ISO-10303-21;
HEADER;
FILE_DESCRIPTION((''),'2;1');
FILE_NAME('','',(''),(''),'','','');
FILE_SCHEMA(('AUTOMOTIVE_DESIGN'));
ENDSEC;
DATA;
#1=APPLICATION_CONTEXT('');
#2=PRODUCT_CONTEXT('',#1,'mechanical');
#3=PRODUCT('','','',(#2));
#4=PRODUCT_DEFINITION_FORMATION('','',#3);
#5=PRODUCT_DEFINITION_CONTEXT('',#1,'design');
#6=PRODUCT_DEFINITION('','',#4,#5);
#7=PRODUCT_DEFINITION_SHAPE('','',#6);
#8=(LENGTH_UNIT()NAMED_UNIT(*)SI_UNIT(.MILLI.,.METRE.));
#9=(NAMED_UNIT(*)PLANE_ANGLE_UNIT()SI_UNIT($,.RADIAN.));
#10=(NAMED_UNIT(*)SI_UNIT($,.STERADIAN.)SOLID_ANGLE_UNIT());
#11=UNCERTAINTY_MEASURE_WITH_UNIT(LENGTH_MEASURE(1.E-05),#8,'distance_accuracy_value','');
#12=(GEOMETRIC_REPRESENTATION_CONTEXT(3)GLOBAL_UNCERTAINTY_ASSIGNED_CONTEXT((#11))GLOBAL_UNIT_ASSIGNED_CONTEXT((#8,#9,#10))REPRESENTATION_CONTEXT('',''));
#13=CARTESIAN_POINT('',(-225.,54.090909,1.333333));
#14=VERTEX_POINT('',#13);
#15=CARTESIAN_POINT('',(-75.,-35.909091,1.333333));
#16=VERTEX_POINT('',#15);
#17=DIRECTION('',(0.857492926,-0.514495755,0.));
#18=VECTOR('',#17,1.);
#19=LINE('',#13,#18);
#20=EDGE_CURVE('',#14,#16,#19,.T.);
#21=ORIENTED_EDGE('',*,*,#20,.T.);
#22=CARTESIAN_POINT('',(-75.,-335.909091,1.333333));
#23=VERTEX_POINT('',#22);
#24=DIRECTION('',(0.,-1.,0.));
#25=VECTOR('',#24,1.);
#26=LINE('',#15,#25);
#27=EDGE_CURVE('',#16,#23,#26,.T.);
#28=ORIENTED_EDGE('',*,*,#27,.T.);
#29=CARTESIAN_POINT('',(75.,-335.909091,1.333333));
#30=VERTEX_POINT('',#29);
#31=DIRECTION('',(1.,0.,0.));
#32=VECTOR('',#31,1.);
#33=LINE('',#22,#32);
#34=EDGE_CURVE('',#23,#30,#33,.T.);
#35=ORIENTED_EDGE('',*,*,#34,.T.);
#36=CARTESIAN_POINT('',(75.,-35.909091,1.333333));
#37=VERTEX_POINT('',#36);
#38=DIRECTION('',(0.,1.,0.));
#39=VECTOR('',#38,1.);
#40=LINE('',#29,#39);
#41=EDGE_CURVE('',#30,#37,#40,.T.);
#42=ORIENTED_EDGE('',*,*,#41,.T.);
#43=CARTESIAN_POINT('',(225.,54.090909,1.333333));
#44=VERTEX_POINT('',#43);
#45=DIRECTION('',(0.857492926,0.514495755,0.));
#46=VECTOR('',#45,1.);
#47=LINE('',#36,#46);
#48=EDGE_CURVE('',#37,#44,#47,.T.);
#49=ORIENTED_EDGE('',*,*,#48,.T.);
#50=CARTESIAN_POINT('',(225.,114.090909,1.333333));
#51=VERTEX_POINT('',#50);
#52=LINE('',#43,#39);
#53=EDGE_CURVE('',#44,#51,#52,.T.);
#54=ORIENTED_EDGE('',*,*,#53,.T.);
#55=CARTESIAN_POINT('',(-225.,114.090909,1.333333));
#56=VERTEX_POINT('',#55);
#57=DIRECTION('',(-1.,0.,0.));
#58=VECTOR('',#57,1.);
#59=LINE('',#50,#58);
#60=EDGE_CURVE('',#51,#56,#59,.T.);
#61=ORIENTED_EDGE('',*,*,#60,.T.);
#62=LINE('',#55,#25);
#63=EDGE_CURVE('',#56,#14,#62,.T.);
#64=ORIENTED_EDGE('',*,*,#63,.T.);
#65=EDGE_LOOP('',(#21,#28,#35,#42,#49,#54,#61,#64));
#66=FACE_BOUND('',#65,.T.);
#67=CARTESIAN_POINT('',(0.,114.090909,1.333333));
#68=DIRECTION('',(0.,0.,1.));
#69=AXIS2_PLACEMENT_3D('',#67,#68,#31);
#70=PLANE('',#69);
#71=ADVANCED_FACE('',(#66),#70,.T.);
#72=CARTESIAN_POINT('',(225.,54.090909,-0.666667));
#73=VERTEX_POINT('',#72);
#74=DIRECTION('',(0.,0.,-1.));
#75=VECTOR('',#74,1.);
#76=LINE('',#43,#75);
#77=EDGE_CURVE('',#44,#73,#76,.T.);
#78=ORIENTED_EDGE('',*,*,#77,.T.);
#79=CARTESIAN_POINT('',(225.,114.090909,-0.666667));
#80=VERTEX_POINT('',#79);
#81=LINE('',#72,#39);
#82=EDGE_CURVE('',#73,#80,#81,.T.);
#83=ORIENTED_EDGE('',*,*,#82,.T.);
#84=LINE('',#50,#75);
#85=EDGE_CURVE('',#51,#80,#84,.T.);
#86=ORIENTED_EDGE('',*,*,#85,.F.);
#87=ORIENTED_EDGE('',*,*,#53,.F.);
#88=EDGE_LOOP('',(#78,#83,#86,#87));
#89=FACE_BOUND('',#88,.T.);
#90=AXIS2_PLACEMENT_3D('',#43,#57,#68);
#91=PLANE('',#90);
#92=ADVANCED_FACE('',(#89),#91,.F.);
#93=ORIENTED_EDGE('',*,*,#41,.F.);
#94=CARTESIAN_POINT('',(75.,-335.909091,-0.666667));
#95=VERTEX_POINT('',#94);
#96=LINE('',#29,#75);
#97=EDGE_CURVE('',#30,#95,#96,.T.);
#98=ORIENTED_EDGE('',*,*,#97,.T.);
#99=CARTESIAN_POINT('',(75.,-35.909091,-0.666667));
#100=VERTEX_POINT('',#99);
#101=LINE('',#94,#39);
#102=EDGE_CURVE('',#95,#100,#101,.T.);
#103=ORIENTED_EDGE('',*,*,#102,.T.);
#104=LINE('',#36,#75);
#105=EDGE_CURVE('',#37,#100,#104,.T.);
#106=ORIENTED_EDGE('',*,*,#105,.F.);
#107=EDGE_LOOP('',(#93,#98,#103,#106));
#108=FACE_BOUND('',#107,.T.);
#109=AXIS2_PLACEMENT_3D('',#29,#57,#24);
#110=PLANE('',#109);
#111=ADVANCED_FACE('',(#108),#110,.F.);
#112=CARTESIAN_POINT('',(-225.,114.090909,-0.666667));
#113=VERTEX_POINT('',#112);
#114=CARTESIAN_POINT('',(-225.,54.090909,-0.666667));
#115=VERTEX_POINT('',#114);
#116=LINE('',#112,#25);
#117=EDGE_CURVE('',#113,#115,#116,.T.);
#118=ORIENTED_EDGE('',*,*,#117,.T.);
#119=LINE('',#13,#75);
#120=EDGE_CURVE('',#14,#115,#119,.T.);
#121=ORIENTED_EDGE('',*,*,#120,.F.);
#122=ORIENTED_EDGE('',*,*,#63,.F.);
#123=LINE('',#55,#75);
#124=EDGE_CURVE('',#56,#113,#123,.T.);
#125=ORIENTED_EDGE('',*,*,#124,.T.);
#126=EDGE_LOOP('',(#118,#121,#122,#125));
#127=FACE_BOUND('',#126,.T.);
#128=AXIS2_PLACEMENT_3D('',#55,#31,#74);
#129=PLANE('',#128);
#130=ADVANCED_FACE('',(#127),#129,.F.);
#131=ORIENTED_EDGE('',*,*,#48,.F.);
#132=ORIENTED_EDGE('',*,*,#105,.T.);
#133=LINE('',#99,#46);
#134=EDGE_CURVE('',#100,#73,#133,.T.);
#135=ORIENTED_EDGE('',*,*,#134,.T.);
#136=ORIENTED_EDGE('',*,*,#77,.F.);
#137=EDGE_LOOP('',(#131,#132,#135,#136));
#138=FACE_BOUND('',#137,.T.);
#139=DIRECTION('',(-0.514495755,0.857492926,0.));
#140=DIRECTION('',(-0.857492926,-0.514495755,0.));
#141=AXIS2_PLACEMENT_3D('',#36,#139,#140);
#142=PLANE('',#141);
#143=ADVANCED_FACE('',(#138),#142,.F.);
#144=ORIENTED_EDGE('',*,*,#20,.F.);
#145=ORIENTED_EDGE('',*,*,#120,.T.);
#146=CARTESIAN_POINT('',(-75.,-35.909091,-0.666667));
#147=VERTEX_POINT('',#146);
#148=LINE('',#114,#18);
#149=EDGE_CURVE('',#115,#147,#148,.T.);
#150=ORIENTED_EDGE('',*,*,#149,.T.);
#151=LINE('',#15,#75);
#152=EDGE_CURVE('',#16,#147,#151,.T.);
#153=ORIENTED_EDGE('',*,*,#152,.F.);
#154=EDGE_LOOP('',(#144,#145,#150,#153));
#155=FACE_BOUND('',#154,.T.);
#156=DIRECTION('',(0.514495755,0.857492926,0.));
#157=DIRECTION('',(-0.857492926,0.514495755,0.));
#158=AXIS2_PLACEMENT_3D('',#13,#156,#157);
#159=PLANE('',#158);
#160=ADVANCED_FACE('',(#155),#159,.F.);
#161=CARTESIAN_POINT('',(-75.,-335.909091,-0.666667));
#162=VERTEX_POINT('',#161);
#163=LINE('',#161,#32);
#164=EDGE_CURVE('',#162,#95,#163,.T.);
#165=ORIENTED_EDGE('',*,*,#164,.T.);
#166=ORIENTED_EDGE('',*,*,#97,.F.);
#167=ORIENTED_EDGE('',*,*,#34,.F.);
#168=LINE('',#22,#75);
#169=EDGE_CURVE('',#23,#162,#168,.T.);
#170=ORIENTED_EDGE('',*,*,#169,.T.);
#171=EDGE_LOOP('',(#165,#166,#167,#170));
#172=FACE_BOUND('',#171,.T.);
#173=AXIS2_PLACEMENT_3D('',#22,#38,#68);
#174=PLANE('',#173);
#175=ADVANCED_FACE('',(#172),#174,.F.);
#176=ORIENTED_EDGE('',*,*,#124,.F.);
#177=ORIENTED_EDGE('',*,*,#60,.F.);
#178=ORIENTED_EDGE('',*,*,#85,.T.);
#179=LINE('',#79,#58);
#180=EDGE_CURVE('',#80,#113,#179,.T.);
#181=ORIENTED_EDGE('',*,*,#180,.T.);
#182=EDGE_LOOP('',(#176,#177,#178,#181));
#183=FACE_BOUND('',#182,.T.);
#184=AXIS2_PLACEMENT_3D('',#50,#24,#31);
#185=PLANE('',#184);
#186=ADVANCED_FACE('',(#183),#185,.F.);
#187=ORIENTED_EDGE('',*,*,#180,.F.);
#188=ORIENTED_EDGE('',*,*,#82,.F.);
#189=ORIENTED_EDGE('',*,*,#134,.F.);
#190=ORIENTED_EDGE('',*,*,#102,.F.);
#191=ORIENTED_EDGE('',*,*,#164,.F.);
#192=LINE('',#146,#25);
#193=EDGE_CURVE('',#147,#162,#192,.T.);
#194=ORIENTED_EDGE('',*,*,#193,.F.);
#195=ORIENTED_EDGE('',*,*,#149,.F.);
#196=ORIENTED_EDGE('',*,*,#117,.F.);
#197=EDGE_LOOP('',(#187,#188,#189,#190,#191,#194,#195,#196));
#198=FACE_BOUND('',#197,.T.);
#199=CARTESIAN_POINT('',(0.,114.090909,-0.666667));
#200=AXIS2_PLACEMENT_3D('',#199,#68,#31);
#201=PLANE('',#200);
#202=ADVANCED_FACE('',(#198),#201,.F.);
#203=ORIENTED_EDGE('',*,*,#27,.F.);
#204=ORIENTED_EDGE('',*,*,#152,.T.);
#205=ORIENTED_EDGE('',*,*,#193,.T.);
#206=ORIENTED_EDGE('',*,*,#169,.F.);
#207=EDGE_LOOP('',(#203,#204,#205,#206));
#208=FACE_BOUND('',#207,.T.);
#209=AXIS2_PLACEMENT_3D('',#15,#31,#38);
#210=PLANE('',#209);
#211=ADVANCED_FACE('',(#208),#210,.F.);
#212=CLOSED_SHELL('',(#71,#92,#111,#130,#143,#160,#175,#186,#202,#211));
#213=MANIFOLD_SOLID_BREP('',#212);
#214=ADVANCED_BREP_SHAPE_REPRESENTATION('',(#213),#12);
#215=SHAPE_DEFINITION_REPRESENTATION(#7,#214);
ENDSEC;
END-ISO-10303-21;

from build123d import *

# Parameters (mm, degrees)
BOSS_EXTRUDE1_DEPTH = 0.666666667
SCALE1_SCALE        = 3


with BuildPart() as part:
    # Sketch1 → Boss-Extrude1 (new body)
    with BuildSketch(Plane.XY):
        Polygon((75, 0), (-75, 0), (-75, -20), (-25, -50), (-25, -149.999999898), (25, -149.999999898), (25, -50), (75, -20), align=None)
    extrude(amount=BOSS_EXTRUDE1_DEPTH)


with BuildPart() as part_1:
    # Scale1: scaled about (0, -57.045454502, 0.333333333)
    add(part.part.scale(SCALE1_SCALE).moved(Location((0, 114.090909004, -0.666666666))))


solid = part_1.part
